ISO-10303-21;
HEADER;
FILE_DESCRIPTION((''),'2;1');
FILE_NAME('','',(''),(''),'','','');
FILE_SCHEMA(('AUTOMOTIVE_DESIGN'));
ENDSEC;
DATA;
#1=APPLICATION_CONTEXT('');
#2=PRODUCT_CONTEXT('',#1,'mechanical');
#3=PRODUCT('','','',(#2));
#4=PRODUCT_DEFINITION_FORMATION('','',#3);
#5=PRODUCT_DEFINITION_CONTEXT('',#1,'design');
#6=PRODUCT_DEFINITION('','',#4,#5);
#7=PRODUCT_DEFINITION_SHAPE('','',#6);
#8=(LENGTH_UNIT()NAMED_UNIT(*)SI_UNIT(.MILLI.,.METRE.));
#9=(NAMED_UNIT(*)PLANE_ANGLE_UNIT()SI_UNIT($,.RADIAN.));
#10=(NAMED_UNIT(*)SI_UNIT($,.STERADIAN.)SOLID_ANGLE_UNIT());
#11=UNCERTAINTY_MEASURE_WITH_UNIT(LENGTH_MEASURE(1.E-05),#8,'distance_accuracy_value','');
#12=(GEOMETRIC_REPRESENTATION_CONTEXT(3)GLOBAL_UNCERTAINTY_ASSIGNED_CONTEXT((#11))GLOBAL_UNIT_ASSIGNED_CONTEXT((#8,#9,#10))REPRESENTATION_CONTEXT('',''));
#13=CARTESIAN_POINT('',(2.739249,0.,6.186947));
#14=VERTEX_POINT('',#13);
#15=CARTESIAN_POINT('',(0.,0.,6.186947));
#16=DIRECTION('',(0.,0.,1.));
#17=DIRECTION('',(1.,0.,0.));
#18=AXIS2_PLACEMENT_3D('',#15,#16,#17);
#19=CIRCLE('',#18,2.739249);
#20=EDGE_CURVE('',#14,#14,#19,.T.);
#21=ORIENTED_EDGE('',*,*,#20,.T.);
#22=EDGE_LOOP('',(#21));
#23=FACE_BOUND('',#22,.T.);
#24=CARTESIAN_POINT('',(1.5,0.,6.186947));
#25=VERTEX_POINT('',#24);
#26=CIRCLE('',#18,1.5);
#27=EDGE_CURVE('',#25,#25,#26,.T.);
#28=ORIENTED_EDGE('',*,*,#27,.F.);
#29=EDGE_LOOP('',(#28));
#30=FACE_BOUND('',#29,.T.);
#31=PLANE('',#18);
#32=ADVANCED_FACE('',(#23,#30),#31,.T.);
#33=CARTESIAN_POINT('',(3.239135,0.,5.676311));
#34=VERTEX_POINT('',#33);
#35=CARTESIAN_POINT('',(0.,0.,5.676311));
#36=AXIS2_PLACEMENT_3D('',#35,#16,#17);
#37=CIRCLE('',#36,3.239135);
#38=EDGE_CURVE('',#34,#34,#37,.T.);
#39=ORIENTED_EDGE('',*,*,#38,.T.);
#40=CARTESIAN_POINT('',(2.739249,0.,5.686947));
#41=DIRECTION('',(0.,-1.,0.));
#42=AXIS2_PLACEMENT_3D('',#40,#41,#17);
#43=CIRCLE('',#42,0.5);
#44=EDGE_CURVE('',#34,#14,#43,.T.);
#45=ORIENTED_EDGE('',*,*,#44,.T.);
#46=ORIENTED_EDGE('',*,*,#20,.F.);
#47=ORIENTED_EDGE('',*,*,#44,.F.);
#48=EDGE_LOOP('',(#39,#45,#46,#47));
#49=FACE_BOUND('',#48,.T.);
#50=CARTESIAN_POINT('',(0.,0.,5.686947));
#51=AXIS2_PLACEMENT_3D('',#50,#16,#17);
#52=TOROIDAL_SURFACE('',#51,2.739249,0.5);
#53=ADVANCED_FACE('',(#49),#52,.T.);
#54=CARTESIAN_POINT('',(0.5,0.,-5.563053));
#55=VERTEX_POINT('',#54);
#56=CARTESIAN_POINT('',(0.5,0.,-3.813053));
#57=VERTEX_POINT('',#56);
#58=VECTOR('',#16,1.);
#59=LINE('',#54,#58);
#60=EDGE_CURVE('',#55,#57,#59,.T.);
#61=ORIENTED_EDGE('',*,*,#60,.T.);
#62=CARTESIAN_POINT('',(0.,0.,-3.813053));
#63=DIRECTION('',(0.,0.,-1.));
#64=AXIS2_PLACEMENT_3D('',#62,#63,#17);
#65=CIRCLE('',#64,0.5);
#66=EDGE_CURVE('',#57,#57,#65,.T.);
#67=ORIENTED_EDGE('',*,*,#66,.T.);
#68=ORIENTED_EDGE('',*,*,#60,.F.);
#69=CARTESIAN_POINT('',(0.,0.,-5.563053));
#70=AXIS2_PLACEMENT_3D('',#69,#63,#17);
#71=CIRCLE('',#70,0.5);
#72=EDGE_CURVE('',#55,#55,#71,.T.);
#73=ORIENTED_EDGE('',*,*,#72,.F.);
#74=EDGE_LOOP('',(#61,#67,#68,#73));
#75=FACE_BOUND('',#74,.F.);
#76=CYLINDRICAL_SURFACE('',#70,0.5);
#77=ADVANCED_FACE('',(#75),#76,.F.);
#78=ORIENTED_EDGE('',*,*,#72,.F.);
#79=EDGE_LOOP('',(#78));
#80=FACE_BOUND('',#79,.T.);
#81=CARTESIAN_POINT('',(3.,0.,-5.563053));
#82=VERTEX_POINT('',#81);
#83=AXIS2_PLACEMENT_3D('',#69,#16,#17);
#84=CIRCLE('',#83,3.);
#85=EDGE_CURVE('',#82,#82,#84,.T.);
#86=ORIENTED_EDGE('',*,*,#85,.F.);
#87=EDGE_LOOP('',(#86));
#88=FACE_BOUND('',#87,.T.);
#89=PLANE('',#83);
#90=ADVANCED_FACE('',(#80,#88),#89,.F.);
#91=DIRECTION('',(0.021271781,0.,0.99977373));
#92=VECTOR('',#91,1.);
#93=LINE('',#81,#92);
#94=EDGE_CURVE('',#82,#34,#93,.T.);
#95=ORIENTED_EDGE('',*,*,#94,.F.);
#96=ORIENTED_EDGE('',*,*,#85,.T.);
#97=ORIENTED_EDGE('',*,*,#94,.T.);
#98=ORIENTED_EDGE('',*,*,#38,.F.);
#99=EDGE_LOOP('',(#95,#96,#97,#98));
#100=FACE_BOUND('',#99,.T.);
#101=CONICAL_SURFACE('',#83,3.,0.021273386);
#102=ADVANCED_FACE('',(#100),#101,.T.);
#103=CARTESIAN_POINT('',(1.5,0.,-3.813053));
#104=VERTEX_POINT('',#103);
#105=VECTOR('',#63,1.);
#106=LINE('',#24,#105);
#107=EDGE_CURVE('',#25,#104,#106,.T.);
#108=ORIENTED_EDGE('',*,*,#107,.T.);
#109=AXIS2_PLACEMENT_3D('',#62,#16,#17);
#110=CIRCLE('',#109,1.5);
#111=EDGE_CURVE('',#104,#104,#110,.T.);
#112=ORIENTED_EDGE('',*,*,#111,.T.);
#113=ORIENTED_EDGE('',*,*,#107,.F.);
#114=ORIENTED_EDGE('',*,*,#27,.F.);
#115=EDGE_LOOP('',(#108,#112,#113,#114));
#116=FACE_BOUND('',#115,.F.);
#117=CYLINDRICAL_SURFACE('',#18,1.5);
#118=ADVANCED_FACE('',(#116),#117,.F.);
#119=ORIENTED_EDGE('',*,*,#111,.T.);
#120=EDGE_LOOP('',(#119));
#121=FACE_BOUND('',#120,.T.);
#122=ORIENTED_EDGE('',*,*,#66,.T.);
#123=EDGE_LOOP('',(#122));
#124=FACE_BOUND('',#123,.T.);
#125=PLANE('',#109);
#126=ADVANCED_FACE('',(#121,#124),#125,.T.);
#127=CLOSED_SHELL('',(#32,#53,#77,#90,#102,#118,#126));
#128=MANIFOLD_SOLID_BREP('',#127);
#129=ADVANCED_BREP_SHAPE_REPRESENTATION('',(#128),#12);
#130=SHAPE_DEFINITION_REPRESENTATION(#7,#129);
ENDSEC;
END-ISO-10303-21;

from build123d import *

# Parameters (mm, degrees)
F2_R     = 0.5
F3_R     = 1.5
F4_DEPTH = 10
F5_R     = 0.5
F6_DEPTH = 2


with BuildPart() as f1:
    # F0 (on Front) → F1 (revolve)
    with BuildSketch(Plane.XZ):
        Polygon((0, 6.186947), (0, -5.563053), (3, -5.563053), (3.25, 6.186947), align=None)
    revolve(axis=Axis((0, 0, 0.311947), (0, 0, 1)))

    # F2
    f2_edges = [f1.edges().sort_by_distance(p)[0] for p in [
        (-3.25, 0, 6.186947),
    ]]
    fillet(f2_edges, radius=F2_R)

    # F3 (on face) → F4 (cut)
    with BuildSketch(Plane.XY.offset(6.186947)):
        Circle(F3_R)
    extrude(amount=-F4_DEPTH, mode=Mode.SUBTRACT)

    # F5 (on face) → F6 (cut)
    with BuildSketch(Plane(origin=(0, 0, -5.563053), x_dir=(1, 0, 0), z_dir=(0, 0, -1))):
        Circle(F5_R)
    extrude(amount=-F6_DEPTH, mode=Mode.SUBTRACT)


solid = f1.part
